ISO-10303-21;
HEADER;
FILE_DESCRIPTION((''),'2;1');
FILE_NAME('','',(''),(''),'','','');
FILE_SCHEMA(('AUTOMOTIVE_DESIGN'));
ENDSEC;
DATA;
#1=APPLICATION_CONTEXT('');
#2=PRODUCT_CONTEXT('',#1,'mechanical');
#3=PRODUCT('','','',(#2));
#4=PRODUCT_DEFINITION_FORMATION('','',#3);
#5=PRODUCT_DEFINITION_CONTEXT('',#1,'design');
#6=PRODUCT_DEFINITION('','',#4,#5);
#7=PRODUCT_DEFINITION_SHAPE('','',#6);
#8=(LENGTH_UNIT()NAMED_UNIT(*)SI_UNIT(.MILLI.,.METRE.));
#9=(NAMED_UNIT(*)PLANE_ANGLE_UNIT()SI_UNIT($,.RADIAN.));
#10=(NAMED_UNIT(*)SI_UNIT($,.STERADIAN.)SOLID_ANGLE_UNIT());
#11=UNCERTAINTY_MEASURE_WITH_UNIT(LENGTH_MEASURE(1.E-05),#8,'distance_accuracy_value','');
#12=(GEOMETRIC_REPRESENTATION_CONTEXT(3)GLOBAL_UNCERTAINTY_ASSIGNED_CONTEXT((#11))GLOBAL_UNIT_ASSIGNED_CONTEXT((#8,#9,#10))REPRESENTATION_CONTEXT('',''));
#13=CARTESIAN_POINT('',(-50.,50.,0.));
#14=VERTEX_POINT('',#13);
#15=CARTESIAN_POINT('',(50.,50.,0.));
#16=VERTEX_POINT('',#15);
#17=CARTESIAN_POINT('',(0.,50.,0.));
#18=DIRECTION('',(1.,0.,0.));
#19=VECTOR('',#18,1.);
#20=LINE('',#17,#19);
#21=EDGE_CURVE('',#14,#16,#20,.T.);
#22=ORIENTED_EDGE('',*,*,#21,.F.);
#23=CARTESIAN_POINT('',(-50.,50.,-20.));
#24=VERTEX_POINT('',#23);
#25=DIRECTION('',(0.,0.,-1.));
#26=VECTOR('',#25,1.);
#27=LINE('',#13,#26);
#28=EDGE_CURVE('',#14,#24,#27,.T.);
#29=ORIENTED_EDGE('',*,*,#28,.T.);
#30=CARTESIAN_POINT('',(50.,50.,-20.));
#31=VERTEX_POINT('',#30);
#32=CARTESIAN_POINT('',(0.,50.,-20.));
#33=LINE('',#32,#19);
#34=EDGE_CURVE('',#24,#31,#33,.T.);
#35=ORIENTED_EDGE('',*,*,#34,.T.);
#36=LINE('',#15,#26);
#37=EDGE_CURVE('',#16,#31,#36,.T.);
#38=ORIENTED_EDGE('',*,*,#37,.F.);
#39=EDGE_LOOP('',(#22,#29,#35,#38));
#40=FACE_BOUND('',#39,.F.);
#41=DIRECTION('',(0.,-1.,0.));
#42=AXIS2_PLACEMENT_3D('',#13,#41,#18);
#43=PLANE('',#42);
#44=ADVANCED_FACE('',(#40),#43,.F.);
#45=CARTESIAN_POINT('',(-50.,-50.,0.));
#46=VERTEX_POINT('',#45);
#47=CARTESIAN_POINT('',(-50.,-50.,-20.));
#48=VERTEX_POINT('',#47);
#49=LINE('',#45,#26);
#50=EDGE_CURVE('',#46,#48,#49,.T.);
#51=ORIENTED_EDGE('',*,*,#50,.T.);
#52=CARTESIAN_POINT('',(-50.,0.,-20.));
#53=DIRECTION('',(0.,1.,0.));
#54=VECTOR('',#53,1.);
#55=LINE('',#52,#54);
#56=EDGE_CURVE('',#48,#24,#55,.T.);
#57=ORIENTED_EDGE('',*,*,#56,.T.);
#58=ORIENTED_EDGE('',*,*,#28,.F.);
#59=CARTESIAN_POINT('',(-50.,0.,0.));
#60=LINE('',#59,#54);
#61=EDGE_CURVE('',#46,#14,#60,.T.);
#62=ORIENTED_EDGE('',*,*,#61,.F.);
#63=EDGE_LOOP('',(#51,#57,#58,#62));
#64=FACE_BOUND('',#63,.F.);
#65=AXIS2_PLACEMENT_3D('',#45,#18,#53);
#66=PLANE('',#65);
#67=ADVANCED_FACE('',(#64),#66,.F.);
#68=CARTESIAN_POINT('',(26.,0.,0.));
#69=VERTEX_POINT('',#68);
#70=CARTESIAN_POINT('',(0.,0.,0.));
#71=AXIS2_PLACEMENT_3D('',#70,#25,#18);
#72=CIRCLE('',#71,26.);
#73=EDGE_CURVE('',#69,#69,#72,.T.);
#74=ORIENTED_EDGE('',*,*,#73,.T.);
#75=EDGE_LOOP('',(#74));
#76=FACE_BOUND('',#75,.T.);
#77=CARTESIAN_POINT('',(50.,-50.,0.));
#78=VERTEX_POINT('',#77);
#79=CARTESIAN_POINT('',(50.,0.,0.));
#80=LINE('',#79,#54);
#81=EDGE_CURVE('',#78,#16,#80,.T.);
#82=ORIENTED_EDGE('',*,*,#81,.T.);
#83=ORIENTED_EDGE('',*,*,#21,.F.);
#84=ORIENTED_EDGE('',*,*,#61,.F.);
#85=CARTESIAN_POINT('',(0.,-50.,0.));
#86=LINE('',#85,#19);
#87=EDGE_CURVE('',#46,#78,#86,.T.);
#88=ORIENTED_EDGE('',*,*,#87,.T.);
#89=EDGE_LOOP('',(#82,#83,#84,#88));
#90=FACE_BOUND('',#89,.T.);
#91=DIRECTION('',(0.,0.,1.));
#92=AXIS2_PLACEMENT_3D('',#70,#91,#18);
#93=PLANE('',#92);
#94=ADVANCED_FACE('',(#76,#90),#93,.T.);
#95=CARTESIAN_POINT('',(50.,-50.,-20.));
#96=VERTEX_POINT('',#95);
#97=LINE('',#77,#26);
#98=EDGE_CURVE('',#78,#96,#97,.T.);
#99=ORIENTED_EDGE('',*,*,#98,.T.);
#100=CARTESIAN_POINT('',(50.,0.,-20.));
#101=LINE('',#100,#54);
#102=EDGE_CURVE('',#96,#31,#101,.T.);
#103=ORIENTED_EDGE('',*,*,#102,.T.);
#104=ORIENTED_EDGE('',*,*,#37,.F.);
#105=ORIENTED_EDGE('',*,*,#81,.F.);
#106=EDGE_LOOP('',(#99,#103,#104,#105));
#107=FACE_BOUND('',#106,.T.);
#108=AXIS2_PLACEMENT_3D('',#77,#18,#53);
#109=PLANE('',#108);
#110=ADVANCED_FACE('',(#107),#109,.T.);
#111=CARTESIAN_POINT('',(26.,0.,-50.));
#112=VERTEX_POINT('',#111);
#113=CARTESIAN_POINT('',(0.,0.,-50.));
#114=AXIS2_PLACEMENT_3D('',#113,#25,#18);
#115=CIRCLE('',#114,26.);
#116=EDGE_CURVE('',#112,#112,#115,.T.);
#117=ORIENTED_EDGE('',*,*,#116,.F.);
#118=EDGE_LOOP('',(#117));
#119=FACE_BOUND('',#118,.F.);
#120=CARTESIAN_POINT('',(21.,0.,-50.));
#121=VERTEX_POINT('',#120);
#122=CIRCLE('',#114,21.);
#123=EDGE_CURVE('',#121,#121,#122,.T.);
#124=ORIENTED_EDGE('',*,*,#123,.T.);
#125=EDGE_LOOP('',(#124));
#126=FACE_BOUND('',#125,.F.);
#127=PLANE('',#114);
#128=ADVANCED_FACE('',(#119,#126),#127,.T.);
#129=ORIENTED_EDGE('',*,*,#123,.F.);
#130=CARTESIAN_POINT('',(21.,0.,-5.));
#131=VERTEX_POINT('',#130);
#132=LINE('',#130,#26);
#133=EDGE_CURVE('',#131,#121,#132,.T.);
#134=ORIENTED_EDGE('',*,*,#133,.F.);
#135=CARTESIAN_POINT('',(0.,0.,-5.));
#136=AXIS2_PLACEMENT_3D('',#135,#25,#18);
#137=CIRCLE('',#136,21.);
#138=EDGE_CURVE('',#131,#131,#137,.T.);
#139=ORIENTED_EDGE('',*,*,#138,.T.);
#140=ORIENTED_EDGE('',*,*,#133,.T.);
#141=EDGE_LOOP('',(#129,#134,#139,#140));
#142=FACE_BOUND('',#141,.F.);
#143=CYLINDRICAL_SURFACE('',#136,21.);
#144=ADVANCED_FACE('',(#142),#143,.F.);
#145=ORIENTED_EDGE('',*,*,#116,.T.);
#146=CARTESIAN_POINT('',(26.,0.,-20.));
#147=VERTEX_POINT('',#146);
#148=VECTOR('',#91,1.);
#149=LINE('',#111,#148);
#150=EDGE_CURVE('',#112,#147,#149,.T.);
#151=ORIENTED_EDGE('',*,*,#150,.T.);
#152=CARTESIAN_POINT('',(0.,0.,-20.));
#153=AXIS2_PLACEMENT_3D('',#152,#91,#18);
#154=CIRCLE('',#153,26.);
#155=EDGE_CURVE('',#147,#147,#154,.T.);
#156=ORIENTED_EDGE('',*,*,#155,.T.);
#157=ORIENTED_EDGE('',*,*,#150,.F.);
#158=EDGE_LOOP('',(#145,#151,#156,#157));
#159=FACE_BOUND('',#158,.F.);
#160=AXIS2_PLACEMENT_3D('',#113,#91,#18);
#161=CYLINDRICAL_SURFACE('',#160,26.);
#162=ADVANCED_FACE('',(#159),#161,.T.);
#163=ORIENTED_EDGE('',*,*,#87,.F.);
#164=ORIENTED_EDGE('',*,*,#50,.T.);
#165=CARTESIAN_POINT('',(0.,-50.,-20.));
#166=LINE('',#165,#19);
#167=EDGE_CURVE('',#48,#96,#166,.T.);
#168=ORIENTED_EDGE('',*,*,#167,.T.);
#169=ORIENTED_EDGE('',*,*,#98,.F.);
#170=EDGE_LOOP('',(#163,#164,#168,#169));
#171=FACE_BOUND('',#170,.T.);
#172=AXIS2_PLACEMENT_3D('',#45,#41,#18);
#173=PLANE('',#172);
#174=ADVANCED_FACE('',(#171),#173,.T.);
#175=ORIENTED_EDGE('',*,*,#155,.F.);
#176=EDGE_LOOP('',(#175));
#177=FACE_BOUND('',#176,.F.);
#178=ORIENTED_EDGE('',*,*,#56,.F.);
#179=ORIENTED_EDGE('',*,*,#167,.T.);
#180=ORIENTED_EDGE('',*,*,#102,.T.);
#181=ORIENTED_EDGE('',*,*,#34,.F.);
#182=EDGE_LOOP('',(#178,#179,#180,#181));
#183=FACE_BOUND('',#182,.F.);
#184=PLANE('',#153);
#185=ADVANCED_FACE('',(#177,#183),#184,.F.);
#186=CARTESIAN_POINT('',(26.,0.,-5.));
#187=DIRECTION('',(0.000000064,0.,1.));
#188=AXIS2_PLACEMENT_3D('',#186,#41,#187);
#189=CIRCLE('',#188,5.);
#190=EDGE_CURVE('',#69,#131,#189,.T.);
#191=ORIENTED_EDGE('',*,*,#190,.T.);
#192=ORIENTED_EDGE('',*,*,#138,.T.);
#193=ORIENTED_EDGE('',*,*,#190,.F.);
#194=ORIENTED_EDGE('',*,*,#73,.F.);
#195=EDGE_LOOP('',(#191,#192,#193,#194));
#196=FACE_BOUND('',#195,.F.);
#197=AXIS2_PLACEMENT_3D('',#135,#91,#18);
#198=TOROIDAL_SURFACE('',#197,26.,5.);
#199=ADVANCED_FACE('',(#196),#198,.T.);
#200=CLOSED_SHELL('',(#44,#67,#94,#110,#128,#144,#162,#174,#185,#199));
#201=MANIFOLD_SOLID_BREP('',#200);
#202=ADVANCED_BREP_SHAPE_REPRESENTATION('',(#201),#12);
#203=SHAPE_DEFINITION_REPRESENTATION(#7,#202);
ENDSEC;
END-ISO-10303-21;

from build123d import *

# Parameters (mm, degrees)
F2_W     = 100
F2_H     = 100
F2_R     = 41
F2_R_2   = 26
F3_DEPTH = 20


with BuildPart() as f1:
    # F0 (on Front) → F1 (revolve)
    with BuildSketch(Plane.XZ):
        with BuildLine():
            Line((41, -5), (41, 0))
            Line((41, 0), (26, 0))
            ThreePointArc((26, 0), (22.464466, -1.464466), (21, -5))
            Line((21, -5), (21, -50))
            Line((21, -50), (26, -50))
            Line((26, -50), (26, -10))
            ThreePointArc((26, -10), (27.464466, -6.464466), (31, -5))
            Line((31, -5), (41, -5))
        make_face()
    revolve(axis=Axis((0, 0, -25.033533), (0, 0, -1)))

    # F2 (on face) → F3 (join)
    with BuildSketch(Plane.XY):
        Rectangle(F2_W, F2_H)
        Circle(F2_R, mode=Mode.SUBTRACT)
        Circle(F2_R)
        Circle(F2_R_2, mode=Mode.SUBTRACT)
    extrude(amount=-F3_DEPTH)


solid = f1.part
